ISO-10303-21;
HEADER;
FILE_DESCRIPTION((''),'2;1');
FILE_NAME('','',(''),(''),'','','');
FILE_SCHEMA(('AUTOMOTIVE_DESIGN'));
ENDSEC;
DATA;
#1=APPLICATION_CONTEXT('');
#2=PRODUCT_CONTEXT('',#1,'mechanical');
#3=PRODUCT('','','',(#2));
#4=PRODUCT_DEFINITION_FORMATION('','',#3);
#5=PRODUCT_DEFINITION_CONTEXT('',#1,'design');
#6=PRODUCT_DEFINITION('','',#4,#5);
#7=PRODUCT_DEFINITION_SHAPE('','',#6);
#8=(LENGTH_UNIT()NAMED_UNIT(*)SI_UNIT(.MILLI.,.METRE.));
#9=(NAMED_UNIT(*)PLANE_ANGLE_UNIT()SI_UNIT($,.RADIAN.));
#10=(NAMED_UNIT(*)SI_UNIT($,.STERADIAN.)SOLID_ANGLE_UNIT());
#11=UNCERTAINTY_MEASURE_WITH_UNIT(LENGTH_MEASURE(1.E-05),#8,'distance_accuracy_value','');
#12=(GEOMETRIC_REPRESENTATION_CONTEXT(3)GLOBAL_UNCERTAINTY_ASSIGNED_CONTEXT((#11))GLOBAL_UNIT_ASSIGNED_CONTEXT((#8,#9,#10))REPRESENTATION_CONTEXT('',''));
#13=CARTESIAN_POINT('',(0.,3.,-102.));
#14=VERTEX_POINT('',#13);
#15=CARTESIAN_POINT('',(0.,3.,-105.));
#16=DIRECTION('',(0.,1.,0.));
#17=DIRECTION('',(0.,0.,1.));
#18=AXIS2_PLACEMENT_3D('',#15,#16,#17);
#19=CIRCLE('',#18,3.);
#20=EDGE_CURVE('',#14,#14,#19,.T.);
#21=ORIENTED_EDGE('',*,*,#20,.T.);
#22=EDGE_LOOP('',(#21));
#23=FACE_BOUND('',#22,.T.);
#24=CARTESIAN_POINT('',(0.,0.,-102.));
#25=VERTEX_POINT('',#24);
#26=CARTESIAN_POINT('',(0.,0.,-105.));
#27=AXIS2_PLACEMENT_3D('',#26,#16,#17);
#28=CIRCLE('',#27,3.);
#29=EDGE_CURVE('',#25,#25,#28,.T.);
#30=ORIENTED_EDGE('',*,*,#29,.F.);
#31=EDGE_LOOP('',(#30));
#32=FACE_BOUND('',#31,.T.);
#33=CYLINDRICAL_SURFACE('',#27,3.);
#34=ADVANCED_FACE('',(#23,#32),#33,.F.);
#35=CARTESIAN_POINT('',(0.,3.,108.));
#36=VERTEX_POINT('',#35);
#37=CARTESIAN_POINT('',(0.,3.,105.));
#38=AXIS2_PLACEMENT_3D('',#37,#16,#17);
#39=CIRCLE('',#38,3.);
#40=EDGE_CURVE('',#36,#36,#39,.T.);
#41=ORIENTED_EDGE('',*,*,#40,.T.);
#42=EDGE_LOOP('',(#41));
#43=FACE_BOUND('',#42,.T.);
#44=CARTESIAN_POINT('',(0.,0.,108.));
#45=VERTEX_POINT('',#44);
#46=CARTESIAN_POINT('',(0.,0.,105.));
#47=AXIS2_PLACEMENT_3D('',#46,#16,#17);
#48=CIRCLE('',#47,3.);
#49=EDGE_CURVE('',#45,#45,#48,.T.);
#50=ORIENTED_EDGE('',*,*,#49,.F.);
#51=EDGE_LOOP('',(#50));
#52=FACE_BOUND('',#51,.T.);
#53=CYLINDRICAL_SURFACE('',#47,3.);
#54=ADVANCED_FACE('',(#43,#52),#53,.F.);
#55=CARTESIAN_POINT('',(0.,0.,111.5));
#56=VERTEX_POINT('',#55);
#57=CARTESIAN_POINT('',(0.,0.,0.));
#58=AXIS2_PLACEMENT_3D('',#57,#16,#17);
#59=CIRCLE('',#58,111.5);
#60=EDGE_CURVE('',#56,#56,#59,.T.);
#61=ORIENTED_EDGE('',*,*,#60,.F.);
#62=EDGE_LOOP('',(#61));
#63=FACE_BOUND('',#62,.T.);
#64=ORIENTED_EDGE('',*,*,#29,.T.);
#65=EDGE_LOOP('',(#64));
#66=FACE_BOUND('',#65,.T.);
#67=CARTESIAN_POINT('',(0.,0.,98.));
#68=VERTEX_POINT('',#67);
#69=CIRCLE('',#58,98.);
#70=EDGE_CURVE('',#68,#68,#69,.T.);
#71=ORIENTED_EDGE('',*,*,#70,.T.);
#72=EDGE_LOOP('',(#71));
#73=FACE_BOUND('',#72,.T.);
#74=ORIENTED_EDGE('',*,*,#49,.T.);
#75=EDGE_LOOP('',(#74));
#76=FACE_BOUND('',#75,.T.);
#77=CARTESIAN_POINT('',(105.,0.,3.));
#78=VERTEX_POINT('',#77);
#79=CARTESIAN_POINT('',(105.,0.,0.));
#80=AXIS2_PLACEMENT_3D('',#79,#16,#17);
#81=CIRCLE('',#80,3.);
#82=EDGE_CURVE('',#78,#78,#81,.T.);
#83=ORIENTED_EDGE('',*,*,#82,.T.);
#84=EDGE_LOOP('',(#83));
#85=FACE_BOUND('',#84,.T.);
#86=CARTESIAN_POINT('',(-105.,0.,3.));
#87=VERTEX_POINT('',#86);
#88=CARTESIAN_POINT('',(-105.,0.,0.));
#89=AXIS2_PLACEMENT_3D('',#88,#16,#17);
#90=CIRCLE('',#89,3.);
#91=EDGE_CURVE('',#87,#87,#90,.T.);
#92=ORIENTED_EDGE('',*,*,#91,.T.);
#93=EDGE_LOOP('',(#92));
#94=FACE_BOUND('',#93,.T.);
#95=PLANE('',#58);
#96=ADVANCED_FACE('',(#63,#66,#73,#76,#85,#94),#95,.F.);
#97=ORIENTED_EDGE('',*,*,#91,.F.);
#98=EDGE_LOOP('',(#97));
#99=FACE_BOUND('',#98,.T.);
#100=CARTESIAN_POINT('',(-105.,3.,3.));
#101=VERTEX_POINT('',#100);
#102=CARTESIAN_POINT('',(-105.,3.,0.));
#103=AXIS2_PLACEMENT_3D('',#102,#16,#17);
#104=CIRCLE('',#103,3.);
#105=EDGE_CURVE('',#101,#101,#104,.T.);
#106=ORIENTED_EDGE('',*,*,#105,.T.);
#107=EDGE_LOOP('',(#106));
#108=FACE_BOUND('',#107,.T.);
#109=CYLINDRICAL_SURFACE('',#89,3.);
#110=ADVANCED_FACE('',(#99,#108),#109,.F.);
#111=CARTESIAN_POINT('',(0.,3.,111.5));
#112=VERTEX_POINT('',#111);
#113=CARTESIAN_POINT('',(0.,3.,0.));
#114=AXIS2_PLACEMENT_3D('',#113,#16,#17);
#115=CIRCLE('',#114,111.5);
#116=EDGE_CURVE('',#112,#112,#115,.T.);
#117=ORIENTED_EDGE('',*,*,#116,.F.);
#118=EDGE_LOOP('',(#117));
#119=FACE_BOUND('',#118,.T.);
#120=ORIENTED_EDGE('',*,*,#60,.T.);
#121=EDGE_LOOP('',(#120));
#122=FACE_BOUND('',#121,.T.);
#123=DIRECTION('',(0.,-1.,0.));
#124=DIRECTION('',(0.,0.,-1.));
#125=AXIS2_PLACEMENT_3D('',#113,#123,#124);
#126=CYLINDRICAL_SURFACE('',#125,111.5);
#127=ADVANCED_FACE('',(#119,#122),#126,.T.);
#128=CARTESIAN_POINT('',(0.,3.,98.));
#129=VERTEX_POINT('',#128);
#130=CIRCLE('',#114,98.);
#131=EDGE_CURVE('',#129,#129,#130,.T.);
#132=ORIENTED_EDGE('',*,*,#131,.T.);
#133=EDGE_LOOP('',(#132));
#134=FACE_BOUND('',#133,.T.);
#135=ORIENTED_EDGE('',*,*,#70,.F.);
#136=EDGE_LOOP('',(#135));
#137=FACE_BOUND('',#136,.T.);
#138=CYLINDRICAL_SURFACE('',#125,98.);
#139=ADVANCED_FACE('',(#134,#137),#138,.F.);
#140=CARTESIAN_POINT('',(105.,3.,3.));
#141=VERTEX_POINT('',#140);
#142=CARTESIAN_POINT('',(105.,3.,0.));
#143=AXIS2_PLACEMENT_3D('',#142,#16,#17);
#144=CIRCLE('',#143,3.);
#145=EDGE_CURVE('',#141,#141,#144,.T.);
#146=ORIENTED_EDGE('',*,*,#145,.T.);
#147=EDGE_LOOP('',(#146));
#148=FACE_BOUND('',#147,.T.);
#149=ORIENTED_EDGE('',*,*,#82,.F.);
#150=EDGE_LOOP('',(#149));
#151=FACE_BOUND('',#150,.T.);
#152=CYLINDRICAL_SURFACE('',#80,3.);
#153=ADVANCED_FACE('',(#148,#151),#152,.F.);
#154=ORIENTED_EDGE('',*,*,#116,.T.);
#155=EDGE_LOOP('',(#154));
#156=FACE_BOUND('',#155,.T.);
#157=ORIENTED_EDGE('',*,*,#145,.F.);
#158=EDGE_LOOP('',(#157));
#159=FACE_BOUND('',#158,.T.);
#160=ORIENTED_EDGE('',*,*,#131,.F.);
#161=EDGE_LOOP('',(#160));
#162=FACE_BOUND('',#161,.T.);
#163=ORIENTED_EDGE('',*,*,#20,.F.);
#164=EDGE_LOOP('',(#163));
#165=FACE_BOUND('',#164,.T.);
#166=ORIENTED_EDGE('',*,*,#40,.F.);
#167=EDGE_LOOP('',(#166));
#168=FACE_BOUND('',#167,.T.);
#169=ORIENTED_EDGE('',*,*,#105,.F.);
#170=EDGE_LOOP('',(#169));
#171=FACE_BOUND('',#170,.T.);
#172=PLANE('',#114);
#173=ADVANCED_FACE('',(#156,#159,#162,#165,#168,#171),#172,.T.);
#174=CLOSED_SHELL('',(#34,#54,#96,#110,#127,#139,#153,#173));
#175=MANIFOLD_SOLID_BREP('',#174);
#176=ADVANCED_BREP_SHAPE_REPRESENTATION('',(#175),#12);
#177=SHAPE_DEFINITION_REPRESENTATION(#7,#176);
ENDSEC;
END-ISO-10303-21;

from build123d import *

# Parameters (mm, degrees)
SKETCH1_R           = 111.5
SKETCH1_R_2         = 98
BOSS_EXTRUDE1_DEPTH = 3
SKETCH2_R           = 3
CUT_EXTRUDE1_DEPTH  = 4


with BuildPart() as part:
    # Sketch1 → Boss-Extrude1 (new body)
    with BuildSketch(Plane(origin=(0, 0, 0), x_dir=(1, 0, 0), z_dir=(0, 1, 0))):
        Circle(SKETCH1_R)
        Circle(SKETCH1_R_2, mode=Mode.SUBTRACT)
    extrude(amount=BOSS_EXTRUDE1_DEPTH)

    # Sketch2 → Cut-Extrude1 (cut, through all)
    with BuildSketch(Plane(origin=(0, 3, 0), x_dir=(1, 0, 0), z_dir=(0, 1, 0))):
        with Locations((0, 105)):
            Circle(SKETCH2_R)
        with Locations((105, 0)):
            Circle(SKETCH2_R)
        with Locations((0, -105)):
            Circle(SKETCH2_R)
        with Locations((-105, 0)):
            Circle(SKETCH2_R)
    extrude(amount=-CUT_EXTRUDE1_DEPTH, mode=Mode.SUBTRACT)


solid = part.part
